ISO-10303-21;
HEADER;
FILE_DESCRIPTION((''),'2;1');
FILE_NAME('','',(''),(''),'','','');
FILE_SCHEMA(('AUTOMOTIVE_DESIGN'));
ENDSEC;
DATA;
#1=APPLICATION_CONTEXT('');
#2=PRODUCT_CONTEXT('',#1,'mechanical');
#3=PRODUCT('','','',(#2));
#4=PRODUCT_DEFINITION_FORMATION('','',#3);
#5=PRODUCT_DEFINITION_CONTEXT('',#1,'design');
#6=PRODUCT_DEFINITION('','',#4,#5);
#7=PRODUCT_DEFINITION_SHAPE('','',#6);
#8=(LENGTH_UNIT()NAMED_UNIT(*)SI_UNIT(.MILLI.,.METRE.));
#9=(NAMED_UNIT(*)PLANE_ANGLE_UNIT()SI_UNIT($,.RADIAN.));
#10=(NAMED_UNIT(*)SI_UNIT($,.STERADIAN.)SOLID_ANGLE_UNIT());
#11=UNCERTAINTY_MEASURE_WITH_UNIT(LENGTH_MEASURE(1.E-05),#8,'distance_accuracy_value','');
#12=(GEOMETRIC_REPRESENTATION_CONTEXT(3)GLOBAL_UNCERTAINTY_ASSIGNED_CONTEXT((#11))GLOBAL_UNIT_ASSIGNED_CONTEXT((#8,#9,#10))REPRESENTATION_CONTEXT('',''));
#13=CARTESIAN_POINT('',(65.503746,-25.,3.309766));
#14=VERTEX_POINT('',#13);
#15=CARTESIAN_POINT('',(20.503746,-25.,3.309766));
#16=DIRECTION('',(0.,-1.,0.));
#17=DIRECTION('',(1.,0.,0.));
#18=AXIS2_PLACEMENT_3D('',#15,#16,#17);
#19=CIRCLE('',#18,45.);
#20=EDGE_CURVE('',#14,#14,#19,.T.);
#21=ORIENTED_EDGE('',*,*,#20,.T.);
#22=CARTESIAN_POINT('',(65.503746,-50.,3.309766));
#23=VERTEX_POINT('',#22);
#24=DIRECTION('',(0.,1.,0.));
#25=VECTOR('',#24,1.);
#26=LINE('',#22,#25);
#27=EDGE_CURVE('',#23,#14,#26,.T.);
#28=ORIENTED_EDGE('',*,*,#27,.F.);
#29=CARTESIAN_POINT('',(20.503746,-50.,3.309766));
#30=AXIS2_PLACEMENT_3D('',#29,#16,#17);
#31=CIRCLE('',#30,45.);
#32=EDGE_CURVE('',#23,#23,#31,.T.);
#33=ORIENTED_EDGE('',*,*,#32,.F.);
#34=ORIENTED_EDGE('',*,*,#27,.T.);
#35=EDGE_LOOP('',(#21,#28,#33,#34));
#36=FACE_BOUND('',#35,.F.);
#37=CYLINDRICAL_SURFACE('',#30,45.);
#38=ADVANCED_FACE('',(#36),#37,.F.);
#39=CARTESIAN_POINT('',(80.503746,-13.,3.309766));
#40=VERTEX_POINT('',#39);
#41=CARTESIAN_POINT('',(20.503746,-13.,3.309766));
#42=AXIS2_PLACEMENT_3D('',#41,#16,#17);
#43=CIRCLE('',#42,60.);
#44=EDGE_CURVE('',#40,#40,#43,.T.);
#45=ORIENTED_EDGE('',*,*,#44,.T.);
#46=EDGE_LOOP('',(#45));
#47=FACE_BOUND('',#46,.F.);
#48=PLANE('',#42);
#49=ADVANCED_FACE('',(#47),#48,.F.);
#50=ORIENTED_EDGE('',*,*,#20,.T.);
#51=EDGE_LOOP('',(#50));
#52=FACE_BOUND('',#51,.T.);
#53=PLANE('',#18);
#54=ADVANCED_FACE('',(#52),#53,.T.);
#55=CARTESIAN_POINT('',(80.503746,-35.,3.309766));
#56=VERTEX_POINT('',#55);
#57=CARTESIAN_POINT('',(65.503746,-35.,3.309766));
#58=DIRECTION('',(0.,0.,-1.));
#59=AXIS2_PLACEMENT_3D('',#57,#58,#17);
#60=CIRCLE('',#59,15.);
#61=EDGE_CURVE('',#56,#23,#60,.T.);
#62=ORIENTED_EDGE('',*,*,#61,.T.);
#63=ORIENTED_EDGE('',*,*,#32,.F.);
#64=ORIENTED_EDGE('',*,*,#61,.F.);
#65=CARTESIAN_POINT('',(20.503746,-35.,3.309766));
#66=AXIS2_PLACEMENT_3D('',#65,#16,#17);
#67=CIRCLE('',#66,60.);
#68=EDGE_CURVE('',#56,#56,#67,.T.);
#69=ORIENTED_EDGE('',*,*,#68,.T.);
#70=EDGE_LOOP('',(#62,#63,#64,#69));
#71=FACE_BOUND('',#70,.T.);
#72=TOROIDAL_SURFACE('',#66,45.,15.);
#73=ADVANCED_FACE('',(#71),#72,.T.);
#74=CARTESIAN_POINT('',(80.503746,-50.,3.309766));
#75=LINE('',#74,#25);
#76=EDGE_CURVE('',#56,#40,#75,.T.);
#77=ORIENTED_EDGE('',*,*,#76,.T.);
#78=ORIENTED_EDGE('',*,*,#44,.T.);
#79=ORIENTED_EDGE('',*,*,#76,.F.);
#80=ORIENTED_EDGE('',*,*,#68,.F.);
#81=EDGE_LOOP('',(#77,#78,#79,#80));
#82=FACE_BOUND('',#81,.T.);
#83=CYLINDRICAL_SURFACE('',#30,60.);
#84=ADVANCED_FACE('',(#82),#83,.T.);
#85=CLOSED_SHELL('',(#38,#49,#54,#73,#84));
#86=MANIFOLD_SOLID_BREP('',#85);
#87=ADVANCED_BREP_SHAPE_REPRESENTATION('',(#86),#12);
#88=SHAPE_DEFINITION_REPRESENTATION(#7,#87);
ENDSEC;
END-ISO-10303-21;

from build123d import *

# Parameters (mm, degrees)
F0_R     = 60
F1_DEPTH = 25
F2_DEPTH = 25
F3_DEPTH = 37
F4_R     = 15
F5_R     = 45
F6_DEPTH = 25


with BuildPart() as f1:
    # F0 (on Front) → F1 (new body)
    with BuildSketch(Plane.XZ):
        with Locations((20.5037463456, 3.3097660635)):
            Circle(F0_R)
    extrude(amount=F1_DEPTH)

    # F2 (add): faces of the model
    f2_faces = [f1.faces().sort_by_distance(p)[0] for p in [
        (20.5037463456, -25, 3.3097660635),
        (20.5037463456, 0, 3.3097660635),
    ]]
    extrude(f2_faces, amount=F2_DEPTH, dir=(0, -1, 0))

    # F3 (intersect): a face of the model
    f3_faces = [f1.faces().sort_by_distance(p)[0] for p in [
        (20.5037463456, -50, 3.3097660635),
    ]]
    extrude(f3_faces, amount=-F3_DEPTH, mode=Mode.INTERSECT)

    # F4
    f4_edges = [f1.edges().sort_by_distance(p)[0] for p in [
        (-39.496254, -50, 3.309766),
    ]]
    fillet(f4_edges, radius=F4_R)

    # F5 (on face) → F6 (cut)
    with BuildSketch(Plane.XZ.offset(50)):
        with Locations((20.5037463456, 3.3097660635)):
            Circle(F5_R)
    extrude(amount=-F6_DEPTH, mode=Mode.SUBTRACT)


solid = f1.part
